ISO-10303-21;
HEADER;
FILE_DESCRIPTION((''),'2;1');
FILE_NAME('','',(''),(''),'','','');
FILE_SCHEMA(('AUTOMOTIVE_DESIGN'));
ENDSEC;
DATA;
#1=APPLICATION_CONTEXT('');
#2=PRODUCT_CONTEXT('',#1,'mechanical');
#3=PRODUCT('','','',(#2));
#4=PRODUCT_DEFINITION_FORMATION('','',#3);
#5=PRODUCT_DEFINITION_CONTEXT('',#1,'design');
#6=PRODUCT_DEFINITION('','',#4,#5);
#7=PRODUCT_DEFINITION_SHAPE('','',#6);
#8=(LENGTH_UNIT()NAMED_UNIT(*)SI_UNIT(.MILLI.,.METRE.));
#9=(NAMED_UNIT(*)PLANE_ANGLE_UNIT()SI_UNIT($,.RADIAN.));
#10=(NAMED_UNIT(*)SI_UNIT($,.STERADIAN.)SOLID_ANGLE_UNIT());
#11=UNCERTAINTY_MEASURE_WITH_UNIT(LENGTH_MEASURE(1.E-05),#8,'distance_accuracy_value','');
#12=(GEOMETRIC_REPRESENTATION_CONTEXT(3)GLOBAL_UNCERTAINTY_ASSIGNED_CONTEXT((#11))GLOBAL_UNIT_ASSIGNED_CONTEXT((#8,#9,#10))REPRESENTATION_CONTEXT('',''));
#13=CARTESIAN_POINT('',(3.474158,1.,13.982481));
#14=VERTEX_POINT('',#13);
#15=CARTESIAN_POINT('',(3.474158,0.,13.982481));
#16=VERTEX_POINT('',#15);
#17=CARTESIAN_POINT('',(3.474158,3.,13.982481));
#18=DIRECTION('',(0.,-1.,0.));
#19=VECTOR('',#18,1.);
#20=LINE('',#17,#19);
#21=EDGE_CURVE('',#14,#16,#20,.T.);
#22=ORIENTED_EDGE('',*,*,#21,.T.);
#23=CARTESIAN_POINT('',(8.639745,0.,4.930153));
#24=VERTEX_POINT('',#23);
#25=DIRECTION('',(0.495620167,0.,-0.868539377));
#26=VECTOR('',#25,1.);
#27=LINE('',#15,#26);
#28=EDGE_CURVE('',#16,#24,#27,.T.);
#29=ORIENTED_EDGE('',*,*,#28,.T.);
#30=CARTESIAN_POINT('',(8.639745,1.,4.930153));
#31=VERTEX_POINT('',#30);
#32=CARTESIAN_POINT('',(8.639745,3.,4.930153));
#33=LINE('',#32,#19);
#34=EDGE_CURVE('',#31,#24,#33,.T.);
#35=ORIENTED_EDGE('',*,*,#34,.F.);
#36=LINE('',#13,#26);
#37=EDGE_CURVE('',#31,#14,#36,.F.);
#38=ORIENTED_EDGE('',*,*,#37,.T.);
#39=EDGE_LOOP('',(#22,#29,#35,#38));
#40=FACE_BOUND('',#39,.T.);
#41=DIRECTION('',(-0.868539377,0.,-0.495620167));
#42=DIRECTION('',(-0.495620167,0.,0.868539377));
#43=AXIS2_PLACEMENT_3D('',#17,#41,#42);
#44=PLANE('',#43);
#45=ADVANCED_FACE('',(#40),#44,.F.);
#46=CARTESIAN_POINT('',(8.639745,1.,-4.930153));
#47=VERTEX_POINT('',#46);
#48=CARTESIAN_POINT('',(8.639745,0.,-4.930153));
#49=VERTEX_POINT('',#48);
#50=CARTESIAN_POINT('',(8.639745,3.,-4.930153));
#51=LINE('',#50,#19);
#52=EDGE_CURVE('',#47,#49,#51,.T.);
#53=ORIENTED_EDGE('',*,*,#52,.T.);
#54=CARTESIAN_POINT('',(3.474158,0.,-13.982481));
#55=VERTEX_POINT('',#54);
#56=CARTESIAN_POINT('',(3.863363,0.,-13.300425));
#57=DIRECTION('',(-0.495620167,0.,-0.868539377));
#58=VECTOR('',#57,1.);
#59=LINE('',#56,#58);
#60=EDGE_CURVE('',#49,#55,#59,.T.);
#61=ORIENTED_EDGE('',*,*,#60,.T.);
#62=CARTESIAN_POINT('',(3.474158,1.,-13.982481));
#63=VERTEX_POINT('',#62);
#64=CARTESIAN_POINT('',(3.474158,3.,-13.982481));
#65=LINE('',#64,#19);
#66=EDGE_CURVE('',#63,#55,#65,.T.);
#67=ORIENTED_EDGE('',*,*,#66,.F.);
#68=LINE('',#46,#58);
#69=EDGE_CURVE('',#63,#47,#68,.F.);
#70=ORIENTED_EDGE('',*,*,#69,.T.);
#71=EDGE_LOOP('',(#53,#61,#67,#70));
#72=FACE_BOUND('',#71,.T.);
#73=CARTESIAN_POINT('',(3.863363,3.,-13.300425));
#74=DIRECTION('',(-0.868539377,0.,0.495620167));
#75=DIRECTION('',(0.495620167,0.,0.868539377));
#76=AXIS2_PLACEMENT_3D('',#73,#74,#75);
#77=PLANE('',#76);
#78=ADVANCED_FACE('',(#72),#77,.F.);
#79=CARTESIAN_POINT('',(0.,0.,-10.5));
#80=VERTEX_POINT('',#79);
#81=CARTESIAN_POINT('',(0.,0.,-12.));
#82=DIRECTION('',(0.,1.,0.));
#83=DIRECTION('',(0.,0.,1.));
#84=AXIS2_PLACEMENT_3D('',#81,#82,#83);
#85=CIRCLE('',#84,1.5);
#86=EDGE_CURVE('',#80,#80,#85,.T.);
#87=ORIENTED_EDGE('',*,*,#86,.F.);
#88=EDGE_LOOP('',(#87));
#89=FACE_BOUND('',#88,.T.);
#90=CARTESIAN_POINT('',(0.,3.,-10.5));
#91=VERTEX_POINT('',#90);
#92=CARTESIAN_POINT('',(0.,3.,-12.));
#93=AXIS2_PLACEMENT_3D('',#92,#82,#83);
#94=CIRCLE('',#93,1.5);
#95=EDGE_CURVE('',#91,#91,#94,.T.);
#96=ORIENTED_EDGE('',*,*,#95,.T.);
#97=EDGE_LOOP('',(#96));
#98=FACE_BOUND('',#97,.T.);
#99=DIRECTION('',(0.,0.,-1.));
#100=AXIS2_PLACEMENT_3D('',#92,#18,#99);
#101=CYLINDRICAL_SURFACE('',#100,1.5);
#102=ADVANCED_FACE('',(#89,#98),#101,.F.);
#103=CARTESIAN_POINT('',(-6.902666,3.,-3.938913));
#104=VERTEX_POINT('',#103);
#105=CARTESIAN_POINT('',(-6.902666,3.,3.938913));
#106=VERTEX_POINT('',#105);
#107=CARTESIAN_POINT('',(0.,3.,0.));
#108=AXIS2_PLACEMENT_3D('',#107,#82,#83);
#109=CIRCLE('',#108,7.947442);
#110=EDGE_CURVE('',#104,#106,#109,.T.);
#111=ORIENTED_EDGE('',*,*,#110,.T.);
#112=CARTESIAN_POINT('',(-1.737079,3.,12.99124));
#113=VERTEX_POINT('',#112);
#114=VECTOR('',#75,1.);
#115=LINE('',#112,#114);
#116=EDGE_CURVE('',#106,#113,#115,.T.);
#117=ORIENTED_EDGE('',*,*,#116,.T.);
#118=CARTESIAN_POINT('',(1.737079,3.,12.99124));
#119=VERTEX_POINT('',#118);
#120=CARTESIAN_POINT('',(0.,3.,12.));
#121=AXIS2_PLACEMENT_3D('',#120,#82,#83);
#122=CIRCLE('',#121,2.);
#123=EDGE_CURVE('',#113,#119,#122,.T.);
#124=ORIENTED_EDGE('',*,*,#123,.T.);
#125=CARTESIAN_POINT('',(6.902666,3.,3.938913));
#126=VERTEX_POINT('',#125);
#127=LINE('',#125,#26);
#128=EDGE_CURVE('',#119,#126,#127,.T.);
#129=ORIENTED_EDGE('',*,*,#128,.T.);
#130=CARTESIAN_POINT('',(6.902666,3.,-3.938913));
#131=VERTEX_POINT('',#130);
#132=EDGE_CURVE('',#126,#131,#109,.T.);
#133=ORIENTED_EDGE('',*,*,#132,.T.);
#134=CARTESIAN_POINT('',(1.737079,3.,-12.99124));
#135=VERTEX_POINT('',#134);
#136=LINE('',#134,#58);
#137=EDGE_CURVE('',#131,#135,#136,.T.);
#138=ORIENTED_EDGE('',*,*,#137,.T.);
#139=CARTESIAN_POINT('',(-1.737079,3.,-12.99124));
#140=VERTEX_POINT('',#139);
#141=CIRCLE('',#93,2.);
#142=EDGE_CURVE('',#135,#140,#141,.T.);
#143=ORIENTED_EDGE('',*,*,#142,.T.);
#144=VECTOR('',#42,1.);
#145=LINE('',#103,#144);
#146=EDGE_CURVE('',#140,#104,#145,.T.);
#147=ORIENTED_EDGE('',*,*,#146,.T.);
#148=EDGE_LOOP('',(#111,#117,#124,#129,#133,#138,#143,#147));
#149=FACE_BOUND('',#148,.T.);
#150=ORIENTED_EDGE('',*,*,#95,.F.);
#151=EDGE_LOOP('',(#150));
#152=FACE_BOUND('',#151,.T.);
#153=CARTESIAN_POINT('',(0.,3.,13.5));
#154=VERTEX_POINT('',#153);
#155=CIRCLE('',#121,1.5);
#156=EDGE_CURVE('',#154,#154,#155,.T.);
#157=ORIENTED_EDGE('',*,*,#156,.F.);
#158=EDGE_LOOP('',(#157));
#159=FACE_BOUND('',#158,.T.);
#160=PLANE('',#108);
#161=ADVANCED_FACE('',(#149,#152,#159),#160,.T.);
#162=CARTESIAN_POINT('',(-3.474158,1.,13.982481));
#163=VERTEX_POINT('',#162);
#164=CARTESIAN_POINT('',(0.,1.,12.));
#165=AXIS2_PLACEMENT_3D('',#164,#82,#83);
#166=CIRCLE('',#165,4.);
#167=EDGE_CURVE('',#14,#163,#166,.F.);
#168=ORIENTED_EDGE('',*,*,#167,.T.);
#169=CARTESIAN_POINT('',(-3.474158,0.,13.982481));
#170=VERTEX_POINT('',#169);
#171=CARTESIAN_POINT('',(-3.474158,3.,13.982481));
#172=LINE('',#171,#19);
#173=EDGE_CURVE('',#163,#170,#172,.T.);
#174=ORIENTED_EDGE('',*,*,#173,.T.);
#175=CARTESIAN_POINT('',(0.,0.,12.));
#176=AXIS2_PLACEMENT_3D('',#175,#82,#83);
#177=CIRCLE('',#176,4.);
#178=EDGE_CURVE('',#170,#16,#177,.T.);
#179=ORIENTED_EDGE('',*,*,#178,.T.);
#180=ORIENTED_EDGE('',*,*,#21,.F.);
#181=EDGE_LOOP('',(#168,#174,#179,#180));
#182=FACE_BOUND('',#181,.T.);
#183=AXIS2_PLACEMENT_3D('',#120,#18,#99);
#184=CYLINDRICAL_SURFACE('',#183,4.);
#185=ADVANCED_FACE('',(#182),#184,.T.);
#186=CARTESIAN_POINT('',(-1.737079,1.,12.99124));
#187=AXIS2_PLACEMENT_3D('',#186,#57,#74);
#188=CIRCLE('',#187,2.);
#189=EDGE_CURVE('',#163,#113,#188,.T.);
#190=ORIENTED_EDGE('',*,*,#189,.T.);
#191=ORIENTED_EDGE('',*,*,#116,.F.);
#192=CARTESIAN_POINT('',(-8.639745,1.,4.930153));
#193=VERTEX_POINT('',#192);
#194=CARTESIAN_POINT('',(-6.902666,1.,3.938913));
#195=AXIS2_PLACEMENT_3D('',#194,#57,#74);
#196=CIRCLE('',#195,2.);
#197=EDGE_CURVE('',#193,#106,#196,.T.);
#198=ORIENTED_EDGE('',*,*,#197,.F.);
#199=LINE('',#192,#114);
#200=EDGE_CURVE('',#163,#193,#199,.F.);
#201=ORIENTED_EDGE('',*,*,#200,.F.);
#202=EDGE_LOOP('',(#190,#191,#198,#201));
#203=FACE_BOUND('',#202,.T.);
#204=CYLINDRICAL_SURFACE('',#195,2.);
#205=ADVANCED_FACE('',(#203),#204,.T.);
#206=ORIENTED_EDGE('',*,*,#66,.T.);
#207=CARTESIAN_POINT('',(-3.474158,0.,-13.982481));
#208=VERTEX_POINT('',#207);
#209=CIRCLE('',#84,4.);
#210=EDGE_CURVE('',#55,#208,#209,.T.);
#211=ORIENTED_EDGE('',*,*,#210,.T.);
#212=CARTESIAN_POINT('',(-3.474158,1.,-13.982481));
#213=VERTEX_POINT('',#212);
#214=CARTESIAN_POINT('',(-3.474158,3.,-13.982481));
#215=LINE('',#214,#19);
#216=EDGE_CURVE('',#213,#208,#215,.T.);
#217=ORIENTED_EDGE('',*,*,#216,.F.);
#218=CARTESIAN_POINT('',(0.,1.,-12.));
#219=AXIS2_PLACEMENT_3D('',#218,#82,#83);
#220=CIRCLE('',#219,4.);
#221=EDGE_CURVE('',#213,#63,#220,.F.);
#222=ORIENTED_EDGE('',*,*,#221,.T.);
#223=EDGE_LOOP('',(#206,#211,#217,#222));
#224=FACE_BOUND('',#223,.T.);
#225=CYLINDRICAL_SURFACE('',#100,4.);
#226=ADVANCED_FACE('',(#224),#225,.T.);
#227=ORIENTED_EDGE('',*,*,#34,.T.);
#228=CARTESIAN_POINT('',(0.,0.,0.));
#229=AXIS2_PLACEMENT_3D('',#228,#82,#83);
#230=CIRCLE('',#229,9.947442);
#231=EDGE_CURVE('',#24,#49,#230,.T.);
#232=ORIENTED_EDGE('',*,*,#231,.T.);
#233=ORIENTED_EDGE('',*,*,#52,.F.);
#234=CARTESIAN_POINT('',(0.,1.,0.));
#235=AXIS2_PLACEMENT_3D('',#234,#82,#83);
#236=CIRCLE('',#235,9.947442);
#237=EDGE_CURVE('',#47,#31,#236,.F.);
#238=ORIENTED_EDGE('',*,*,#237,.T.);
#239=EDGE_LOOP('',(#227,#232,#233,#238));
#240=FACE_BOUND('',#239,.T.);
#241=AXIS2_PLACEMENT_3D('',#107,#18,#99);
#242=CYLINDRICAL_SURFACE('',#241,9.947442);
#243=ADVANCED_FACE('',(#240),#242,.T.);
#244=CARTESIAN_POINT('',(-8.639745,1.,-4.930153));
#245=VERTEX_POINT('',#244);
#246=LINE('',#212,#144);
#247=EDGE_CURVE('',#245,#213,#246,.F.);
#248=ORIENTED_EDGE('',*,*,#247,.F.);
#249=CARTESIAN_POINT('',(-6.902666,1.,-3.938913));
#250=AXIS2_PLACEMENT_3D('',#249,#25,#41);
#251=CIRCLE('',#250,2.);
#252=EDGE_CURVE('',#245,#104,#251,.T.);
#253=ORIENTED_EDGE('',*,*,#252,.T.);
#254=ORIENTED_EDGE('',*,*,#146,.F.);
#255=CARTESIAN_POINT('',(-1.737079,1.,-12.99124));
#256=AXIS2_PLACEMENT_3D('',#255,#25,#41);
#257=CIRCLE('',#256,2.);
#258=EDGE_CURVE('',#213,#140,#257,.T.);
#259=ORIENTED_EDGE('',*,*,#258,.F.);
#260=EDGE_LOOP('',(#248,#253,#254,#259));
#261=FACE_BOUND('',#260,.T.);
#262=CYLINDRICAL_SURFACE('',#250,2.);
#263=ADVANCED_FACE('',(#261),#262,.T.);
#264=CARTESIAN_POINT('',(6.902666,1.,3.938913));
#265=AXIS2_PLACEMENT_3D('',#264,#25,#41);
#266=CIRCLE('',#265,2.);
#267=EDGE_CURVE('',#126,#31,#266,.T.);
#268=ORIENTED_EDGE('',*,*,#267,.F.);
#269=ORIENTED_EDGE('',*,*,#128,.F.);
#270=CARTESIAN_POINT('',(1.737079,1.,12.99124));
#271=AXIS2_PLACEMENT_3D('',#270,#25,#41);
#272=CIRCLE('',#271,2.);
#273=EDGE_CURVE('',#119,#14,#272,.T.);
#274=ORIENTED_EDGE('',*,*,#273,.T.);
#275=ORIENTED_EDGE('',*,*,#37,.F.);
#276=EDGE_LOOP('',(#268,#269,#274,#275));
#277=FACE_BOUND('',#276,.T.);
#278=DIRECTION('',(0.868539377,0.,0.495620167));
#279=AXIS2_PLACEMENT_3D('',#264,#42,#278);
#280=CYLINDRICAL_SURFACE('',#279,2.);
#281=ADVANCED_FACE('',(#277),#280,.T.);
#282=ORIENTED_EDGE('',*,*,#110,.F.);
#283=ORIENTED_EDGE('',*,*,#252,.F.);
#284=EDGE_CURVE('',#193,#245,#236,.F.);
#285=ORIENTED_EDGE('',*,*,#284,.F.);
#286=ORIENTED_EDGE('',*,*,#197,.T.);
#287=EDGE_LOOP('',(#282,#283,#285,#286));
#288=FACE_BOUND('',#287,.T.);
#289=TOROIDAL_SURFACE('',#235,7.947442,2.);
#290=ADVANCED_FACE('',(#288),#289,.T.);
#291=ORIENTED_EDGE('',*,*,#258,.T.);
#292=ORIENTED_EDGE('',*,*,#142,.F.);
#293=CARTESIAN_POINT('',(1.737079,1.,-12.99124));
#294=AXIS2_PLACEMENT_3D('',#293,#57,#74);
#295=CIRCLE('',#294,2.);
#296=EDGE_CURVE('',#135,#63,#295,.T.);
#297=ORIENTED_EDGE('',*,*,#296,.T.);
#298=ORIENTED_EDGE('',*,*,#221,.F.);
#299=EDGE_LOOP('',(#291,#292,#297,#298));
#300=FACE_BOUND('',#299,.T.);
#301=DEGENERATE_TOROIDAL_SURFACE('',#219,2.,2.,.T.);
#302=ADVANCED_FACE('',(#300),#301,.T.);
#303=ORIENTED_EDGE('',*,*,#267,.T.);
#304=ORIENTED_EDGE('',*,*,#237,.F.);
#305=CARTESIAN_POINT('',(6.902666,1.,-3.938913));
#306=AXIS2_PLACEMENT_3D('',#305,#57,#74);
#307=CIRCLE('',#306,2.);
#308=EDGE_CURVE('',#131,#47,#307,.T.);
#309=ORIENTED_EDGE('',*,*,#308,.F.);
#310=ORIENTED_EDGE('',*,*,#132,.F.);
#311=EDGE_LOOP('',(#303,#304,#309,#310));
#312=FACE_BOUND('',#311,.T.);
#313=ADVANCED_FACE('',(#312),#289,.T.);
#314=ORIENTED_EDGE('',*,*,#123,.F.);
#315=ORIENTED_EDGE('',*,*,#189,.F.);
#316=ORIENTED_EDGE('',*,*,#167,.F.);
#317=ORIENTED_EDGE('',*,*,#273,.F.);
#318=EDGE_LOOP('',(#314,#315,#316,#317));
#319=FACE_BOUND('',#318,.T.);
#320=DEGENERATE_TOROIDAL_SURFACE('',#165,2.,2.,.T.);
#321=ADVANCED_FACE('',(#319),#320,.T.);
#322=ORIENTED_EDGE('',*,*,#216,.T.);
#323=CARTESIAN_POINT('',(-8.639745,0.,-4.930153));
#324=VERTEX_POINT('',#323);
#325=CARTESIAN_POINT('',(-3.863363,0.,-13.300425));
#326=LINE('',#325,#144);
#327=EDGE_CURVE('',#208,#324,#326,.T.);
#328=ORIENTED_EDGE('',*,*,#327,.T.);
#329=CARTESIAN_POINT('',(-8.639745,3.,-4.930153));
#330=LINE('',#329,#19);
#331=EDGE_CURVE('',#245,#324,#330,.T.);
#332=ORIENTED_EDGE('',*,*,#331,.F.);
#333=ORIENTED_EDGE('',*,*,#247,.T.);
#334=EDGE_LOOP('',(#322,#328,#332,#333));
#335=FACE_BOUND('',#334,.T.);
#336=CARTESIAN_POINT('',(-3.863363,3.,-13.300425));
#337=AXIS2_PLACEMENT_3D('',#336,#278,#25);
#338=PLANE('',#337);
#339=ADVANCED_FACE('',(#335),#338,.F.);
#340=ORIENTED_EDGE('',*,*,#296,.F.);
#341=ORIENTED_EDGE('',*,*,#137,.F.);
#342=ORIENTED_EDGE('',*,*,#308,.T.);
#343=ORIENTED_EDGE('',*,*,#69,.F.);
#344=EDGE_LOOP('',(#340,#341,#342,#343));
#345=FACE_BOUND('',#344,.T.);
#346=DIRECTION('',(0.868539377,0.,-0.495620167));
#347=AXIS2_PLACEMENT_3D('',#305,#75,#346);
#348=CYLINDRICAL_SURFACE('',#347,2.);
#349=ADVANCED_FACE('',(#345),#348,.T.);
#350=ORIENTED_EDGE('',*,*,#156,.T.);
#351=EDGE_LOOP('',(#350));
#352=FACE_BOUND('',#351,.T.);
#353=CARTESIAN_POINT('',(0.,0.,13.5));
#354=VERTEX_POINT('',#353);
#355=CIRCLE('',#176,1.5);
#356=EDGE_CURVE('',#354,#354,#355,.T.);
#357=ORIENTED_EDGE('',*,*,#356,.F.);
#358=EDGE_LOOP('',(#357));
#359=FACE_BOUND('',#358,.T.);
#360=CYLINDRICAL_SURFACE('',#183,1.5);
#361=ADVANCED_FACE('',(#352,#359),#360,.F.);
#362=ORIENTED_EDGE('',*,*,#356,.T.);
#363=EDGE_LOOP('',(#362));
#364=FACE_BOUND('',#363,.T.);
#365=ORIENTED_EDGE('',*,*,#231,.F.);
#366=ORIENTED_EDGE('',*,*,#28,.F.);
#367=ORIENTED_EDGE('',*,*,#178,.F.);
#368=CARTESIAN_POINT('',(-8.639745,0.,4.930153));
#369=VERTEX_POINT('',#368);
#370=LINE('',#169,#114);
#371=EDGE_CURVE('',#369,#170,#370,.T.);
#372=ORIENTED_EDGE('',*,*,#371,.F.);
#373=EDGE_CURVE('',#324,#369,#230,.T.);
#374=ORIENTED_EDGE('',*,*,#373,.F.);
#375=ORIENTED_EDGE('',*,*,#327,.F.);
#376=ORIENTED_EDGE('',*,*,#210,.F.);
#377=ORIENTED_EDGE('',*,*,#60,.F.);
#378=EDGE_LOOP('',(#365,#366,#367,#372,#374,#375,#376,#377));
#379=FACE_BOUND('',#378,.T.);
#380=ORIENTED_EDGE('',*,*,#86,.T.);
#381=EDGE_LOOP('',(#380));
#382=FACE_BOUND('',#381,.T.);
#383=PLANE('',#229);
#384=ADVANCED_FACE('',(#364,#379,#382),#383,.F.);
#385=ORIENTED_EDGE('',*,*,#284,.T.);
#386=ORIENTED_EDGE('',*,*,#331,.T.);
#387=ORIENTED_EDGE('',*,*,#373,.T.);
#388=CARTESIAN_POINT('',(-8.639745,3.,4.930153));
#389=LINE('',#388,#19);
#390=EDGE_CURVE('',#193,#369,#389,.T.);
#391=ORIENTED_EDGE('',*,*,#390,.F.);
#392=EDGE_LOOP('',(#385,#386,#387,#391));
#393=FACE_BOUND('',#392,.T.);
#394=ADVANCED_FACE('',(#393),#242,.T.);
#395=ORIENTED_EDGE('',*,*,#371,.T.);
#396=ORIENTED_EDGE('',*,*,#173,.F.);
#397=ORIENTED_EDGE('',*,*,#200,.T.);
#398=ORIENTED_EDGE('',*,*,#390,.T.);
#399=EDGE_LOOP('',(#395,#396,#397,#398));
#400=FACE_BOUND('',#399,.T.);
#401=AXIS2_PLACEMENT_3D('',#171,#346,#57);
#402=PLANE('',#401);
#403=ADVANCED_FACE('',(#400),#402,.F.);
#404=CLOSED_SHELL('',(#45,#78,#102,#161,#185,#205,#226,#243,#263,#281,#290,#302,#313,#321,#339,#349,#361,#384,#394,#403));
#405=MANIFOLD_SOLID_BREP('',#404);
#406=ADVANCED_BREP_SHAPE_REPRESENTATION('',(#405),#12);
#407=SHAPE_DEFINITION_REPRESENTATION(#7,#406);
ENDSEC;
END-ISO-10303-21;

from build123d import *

# Parameters (mm, degrees)
SKETCH_1_R      = 1.5
EXTRUDE_1_DEPTH = 3
FILLET_1_R      = 2


with BuildPart() as part:
    # Эскиз1 → Бобышка-Вытянуть1 (new body)
    with BuildSketch(Plane(origin=(0, 0, 0), x_dir=(1, 0, 0), z_dir=(0, 1, 0))):
        with BuildLine():
            Line((-3.863363367, 13.30042486), (-8.639745084, 4.930152864))
            ThreePointArc((-8.639745084, 4.930152864), (-9.947442002, 0), (-8.639745084, -4.930152864))
            Line((-8.639745084, -4.930152864), (-3.47415751, -13.982480667))
            ThreePointArc((-3.47415751, -13.982480667), (0, -16), (3.47415751, -13.982480667))
            Line((3.47415751, -13.982480667), (8.639745084, -4.930152864))
            ThreePointArc((8.639745084, -4.930152864), (9.947442002, 0), (8.639745084, 4.930152864))
            Line((8.639745084, 4.930152864), (3.863363367, 13.30042486))
            Line((3.863363367, 13.30042486), (3.47415751, 13.982480667))
            ThreePointArc((3.47415751, 13.982480667), (0, 16), (-3.47415751, 13.982480667))
            Line((-3.47415751, 13.982480667), (-3.863363367, 13.30042486))
        make_face()
        with Locations((0, 12)):
            Circle(SKETCH_1_R, mode=Mode.SUBTRACT)
        with Locations((0, -12)):
            Circle(SKETCH_1_R, mode=Mode.SUBTRACT)
    extrude(amount=EXTRUDE_1_DEPTH)

    # Скругление1
    fillet_1_edges = [part.edges().sort_by_distance(p)[0] for p in [
        (0, 3, 16),
        (6.056951297, 3, 9.456316766),
        (9.947442002, 3, 0),
        (6.056951297, 3, -9.456316766),
        (0, 3, -16),
        (-6.056951297, 3, -9.456316766),
        (-9.947442002, 3, 0),
        (-6.056951297, 3, 9.456316766),
    ]]
    fillet(fillet_1_edges, radius=FILLET_1_R)


solid = part.part
